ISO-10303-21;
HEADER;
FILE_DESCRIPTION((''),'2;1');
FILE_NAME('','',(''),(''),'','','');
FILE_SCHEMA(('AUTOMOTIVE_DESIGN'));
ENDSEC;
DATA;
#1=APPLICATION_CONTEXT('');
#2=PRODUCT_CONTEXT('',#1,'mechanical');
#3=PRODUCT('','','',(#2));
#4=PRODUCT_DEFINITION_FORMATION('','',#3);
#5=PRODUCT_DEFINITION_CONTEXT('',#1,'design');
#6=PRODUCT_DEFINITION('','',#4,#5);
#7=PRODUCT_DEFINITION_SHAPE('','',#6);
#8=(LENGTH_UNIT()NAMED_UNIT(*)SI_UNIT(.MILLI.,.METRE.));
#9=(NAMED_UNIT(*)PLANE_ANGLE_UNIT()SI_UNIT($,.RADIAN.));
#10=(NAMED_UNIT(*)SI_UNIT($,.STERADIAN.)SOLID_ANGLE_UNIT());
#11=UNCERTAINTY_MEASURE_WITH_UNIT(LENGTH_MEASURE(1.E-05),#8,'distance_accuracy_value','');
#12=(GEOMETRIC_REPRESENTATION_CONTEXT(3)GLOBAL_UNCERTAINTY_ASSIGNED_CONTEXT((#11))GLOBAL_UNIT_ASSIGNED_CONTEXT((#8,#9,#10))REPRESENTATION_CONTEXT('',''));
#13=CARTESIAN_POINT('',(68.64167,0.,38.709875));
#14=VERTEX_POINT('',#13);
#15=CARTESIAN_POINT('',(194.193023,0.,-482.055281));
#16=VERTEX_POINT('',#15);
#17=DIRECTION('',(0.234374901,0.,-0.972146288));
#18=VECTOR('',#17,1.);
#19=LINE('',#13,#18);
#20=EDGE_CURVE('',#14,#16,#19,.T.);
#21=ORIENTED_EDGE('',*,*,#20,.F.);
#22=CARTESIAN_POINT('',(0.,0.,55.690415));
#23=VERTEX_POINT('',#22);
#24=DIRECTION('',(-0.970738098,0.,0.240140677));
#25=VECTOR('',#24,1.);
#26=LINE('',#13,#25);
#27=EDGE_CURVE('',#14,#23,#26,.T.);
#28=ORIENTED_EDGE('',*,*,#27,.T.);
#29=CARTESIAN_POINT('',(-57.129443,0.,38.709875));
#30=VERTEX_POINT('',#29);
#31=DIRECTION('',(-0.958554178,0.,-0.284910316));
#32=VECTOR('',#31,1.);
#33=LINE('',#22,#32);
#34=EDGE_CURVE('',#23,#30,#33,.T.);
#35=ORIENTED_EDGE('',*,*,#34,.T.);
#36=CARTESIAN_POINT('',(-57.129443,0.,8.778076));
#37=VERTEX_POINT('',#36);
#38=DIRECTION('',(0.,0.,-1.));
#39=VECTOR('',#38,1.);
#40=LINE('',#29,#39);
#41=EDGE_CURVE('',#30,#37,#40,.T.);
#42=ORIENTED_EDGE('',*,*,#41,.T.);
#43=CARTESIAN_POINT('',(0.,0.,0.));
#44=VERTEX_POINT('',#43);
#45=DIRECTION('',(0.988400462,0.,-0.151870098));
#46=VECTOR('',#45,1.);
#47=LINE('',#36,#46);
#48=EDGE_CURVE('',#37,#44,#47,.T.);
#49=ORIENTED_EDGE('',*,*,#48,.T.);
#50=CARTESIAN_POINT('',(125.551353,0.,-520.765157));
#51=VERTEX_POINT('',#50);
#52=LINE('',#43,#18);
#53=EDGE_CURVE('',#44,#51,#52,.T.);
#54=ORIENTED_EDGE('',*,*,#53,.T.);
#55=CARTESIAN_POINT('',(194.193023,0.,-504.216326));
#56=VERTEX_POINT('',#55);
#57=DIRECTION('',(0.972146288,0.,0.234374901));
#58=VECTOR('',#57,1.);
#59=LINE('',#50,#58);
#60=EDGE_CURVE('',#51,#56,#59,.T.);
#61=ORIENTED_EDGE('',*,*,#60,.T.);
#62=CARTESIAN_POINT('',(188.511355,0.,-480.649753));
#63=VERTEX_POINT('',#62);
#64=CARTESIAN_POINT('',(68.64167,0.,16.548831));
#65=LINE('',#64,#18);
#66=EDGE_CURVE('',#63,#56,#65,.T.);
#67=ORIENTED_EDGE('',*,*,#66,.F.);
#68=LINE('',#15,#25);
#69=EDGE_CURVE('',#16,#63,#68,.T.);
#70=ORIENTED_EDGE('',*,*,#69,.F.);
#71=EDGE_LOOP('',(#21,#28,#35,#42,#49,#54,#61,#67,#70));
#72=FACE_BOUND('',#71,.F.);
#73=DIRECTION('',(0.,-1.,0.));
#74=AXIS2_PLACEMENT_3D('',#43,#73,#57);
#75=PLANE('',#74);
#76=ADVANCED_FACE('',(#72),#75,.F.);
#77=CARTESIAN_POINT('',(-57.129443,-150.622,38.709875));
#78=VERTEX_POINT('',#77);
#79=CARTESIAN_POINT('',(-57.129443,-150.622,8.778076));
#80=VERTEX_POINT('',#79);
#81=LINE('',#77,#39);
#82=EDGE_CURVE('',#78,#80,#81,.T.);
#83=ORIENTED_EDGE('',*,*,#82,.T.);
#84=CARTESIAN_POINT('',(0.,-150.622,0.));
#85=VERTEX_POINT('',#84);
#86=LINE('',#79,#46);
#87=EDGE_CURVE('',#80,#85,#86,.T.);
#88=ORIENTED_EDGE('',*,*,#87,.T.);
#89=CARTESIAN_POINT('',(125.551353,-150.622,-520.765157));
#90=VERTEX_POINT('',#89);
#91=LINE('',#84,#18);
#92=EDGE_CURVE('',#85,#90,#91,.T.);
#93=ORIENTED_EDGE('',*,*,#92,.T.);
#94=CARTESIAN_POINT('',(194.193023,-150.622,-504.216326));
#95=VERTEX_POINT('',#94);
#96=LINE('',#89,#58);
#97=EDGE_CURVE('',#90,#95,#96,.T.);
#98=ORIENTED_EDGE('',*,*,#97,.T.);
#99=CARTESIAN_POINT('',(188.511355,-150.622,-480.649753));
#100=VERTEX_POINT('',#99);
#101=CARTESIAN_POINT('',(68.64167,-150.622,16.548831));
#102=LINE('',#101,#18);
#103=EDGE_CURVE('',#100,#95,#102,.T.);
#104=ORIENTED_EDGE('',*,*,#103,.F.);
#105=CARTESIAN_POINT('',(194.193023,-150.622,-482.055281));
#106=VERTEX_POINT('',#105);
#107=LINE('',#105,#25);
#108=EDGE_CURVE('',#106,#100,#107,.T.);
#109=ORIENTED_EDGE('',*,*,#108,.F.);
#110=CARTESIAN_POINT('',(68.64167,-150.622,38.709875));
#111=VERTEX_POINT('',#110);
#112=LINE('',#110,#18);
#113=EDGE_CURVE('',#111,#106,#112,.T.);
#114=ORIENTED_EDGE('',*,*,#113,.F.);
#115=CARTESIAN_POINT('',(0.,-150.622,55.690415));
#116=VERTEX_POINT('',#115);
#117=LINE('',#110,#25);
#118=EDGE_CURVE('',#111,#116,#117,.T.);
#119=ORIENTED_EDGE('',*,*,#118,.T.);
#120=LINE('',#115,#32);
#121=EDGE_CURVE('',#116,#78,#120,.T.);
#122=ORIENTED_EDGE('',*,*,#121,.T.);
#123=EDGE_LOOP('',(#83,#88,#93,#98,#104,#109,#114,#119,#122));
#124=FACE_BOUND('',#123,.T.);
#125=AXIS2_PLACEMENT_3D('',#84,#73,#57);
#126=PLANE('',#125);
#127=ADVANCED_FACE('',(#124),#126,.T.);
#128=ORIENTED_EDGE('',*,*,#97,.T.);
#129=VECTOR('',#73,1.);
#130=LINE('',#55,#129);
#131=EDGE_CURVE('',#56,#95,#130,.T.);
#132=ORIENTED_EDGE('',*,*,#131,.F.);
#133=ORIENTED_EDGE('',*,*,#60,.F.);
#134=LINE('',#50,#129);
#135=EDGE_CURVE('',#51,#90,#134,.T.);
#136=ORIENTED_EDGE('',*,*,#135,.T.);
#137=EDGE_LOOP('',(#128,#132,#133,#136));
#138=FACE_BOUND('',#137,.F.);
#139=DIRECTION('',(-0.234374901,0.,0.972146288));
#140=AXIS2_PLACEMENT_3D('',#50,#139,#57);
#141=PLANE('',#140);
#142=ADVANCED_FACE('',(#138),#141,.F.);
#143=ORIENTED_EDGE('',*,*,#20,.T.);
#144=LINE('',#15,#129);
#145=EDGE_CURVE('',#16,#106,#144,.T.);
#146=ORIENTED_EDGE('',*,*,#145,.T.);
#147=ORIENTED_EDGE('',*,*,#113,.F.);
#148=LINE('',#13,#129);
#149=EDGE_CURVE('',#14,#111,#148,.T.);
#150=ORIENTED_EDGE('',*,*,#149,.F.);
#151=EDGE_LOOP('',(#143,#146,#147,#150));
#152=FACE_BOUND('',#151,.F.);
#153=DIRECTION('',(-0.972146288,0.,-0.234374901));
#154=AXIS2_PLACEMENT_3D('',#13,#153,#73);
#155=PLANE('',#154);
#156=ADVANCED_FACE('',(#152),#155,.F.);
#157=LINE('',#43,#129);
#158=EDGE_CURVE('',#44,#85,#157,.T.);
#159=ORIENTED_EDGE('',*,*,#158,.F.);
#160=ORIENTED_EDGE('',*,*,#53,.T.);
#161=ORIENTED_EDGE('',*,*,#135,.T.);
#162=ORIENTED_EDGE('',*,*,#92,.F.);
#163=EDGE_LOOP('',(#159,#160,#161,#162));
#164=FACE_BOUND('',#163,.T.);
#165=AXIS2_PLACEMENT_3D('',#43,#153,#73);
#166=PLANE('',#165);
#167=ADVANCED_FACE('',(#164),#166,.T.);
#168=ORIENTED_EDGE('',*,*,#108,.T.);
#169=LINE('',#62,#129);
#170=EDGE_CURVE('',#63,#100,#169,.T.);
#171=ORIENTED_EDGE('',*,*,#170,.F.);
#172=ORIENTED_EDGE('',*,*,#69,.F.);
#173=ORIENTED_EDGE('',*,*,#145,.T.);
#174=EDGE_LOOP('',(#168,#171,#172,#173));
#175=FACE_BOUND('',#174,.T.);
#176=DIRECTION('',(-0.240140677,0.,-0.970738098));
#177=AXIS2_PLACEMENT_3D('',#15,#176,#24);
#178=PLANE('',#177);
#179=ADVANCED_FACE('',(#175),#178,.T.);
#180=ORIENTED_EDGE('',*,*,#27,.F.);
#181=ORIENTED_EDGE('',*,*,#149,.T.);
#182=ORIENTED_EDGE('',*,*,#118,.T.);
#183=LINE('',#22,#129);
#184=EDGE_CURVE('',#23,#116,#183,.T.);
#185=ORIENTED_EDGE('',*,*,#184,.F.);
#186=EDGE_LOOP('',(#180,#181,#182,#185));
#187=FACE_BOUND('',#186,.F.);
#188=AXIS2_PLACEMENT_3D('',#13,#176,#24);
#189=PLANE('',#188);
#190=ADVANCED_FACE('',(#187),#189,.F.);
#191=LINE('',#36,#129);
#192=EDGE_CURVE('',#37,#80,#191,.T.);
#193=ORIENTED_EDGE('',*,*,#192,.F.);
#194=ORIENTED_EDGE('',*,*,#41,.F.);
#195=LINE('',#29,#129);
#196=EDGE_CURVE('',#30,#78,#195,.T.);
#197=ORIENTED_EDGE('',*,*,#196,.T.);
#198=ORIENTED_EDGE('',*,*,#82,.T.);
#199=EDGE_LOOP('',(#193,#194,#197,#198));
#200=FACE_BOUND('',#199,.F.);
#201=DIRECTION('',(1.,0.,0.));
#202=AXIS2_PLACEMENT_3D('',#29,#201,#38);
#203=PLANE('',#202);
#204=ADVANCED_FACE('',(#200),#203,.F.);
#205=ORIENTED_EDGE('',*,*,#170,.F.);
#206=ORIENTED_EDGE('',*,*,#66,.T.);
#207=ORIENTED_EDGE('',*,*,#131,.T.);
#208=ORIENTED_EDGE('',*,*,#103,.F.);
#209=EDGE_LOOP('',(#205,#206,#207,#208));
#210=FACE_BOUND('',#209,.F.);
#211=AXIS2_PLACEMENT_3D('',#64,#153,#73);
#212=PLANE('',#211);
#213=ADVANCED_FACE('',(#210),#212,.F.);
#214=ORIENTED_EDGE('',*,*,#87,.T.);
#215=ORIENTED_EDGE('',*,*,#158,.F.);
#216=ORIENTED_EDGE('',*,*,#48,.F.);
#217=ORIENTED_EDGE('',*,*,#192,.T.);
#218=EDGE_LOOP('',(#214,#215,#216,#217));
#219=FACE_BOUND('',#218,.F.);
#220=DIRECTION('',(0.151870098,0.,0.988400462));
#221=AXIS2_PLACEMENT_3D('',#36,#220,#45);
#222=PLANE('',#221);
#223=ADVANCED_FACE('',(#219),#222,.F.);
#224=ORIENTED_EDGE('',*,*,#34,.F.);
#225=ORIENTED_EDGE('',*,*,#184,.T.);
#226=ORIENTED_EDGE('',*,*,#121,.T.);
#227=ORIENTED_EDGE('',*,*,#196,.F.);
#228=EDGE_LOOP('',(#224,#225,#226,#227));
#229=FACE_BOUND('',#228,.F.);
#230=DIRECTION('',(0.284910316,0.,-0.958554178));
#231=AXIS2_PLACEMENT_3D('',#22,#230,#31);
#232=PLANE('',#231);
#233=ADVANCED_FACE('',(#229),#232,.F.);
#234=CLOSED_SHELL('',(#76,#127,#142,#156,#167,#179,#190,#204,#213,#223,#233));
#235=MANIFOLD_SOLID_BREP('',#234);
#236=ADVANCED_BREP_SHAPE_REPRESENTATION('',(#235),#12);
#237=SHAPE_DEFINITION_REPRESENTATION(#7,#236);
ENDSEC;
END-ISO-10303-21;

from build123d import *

# Parameters (mm, degrees)
F1_DEPTH = 150.622
F2_DEPTH = 535.686


with BuildPart() as f1:
    # F0 (on Front) → F1 (new body)
    with BuildSketch(Plane.XZ):
        Polygon((-57.1294426918, 8.7780756876), (0, 0), (0, 55.6904152036), (-57.1294426918, 38.7098751962), align=None)
        Polygon((0, 55.6904152036), (0, 0), (68.6416700482, 16.5488310158), (68.6416700482, 38.7098751962), align=None)
    extrude(amount=F1_DEPTH)

    # F2 (add): faces of the model
    f2_faces = [f1.faces().sort_by_distance(p)[0] for p in [
        (34.3208350241, -75.311, 8.2744155079),
        (34.3208350241, -75.311, 47.2001451999),
    ]]
    extrude(f2_faces, amount=F2_DEPTH, dir=(0.2343749013, 0, -0.9721462882))


solid = f1.part
